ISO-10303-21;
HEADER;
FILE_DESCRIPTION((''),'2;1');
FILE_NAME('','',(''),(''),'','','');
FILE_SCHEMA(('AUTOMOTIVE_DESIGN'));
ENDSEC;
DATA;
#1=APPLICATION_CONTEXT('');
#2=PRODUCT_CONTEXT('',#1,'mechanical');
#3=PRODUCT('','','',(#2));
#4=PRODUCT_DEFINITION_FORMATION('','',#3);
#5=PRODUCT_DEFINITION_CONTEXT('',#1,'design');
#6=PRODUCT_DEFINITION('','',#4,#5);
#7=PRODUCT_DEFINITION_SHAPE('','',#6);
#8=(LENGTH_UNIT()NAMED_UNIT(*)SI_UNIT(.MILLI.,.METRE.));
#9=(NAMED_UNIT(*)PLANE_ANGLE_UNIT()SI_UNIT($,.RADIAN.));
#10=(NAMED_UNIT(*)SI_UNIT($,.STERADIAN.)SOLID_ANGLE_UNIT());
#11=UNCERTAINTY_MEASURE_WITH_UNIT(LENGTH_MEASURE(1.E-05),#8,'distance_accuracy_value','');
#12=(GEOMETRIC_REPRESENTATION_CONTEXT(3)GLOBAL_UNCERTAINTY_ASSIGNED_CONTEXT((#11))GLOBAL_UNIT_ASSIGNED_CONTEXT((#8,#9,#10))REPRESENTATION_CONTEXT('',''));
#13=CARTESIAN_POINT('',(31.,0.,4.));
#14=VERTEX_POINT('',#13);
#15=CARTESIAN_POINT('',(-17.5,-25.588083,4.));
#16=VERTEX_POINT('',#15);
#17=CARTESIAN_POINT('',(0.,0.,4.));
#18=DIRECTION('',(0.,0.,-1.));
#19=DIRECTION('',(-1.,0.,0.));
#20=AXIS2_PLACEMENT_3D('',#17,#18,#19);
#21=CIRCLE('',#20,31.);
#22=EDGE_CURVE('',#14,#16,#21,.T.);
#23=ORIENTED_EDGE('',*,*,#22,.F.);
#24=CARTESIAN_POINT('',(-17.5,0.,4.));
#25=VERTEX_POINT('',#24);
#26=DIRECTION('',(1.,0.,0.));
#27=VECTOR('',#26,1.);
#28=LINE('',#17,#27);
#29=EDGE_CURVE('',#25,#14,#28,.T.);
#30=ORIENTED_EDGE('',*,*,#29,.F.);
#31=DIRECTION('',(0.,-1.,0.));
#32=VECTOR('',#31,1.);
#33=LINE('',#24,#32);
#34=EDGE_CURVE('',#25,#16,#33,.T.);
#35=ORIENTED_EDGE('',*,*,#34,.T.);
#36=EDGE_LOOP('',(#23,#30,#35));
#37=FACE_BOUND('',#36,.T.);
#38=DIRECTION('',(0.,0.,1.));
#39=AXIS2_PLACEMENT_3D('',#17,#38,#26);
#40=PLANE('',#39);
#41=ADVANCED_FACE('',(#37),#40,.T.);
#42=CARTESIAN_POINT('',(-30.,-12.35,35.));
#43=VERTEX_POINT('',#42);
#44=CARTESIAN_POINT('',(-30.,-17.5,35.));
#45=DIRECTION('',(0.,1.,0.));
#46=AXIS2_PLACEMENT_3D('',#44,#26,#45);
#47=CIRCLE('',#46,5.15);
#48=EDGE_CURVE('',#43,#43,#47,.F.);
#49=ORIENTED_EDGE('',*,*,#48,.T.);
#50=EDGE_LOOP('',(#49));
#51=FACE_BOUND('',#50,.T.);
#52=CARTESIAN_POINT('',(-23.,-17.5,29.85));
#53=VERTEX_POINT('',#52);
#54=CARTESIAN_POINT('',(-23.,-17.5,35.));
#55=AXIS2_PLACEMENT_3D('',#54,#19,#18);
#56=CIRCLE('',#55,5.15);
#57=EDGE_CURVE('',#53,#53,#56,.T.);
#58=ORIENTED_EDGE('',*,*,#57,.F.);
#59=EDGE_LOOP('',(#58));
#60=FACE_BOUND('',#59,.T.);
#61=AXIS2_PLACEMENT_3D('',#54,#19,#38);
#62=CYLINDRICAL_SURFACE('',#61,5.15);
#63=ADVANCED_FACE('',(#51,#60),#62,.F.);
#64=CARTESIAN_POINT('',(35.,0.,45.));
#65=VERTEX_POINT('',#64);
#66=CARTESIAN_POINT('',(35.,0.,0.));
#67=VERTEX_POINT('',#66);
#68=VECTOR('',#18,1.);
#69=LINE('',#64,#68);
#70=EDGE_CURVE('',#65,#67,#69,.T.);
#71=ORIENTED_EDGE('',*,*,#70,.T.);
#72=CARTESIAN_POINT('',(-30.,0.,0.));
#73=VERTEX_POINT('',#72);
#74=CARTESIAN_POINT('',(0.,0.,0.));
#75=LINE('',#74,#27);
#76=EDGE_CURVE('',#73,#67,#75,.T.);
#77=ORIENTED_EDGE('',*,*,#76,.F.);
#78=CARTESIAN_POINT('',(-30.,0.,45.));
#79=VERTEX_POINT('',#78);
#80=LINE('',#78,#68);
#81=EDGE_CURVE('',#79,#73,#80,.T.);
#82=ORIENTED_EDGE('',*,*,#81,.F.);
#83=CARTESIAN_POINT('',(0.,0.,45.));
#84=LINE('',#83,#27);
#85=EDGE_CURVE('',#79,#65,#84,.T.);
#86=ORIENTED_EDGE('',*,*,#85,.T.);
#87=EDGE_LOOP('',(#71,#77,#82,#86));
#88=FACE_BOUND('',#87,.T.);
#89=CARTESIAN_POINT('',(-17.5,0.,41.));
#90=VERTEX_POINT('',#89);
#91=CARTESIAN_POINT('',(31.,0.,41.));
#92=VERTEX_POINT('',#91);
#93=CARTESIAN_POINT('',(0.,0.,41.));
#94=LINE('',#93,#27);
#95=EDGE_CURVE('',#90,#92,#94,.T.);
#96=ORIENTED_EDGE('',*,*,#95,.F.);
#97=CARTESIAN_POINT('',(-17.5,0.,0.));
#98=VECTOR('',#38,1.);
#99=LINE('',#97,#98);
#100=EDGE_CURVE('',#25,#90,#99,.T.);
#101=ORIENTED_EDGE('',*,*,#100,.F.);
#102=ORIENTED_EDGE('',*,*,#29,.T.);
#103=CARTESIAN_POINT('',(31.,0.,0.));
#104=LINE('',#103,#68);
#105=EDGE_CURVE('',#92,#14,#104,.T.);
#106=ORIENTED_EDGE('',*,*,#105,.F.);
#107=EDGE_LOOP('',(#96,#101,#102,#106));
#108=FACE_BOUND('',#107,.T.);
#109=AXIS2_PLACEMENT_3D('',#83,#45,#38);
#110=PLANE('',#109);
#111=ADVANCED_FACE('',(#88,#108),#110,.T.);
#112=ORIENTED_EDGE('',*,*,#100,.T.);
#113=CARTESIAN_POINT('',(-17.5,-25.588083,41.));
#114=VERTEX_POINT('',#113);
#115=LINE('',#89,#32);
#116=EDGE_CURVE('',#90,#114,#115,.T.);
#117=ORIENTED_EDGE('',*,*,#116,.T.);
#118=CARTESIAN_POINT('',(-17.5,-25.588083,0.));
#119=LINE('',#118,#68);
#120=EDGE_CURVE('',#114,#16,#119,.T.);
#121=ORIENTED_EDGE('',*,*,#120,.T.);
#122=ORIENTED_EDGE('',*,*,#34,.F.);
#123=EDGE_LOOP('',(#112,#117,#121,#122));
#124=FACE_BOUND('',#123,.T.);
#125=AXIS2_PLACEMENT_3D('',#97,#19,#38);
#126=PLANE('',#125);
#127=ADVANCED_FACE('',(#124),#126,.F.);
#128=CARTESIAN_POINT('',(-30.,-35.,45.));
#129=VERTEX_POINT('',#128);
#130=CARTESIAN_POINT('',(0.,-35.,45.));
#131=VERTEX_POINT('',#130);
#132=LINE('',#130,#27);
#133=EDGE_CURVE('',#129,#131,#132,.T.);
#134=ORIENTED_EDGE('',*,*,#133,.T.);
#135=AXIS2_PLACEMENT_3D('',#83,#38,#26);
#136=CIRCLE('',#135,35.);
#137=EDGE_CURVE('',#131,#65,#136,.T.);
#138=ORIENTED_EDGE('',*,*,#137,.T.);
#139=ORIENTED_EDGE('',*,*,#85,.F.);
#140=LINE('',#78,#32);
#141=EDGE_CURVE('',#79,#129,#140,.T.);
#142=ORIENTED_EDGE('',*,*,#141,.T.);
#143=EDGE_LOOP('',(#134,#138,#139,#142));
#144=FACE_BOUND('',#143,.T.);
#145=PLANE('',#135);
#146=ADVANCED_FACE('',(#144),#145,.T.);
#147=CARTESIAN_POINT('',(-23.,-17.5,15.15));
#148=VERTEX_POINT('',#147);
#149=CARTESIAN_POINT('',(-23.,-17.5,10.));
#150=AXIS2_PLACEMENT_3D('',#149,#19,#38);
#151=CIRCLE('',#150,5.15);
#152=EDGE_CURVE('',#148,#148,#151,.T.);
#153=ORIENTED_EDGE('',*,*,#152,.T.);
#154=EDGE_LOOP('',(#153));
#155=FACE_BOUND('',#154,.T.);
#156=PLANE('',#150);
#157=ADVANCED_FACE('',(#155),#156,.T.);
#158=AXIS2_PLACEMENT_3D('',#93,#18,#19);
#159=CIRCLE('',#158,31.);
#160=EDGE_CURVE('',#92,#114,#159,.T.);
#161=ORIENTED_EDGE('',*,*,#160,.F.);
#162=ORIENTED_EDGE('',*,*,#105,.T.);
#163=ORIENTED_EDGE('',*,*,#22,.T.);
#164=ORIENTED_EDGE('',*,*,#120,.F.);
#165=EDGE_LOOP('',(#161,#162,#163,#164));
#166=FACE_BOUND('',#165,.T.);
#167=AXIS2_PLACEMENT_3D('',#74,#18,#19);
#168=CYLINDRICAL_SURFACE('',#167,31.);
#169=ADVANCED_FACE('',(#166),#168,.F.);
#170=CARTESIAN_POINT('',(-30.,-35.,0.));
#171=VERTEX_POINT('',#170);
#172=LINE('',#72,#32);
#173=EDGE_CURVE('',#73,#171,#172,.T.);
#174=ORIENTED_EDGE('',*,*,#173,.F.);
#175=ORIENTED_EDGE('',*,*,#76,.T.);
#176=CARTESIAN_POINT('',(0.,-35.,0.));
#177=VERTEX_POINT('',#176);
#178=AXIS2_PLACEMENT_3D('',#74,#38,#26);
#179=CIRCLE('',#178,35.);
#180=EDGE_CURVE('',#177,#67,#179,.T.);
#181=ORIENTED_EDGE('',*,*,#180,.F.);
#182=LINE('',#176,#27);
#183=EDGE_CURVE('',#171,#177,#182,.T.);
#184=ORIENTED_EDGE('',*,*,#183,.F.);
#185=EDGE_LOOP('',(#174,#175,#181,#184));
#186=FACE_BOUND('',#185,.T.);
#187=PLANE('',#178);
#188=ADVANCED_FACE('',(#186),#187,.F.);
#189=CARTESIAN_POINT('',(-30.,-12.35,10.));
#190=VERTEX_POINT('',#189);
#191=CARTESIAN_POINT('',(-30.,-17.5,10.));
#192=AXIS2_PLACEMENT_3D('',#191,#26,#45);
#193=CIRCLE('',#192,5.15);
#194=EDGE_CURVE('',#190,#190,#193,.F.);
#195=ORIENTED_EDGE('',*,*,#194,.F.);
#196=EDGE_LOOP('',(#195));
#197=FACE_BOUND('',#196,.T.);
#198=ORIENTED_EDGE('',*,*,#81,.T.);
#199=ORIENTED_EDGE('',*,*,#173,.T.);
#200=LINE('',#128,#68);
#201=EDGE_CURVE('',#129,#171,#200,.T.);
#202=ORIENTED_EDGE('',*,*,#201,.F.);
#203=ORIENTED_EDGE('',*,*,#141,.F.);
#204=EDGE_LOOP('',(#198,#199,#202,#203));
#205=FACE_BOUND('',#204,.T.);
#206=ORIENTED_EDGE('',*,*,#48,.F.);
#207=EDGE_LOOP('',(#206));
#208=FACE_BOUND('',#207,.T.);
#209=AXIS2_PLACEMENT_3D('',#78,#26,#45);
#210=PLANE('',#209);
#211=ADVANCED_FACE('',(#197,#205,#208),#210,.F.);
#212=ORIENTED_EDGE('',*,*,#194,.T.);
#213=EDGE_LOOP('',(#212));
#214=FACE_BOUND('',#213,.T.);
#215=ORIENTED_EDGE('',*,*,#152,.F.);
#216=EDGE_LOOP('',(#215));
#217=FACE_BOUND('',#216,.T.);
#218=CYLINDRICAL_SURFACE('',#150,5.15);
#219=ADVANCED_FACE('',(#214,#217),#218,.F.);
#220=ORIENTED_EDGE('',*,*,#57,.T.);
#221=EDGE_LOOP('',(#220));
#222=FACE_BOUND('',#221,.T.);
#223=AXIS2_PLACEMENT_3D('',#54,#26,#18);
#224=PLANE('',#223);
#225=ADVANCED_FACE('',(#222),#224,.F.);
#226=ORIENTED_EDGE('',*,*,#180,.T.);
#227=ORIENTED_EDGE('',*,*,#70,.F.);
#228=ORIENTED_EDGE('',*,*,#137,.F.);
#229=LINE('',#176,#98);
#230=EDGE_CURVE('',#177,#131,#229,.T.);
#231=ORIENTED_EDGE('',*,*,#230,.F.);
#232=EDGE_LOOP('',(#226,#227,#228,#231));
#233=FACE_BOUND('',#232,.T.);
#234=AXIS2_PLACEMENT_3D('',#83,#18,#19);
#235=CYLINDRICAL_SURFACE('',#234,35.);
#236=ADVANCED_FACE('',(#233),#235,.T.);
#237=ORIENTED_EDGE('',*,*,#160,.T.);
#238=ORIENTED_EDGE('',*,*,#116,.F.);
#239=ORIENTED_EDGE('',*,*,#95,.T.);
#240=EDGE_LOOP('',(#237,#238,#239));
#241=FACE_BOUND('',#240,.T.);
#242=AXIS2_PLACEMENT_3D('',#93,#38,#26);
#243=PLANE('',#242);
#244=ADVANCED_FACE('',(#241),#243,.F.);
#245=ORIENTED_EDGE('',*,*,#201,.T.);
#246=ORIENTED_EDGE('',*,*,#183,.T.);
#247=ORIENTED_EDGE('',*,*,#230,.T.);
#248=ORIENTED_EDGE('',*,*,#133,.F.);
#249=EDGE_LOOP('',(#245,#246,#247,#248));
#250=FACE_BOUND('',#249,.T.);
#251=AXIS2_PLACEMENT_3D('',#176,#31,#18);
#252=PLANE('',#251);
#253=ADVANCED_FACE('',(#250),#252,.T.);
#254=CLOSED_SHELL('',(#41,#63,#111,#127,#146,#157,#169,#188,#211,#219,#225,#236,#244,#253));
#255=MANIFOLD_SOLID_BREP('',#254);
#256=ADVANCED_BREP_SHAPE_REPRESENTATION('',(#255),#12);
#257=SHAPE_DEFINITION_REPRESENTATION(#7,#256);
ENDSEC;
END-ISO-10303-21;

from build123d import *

# Parameters (mm, degrees)
BOSS_EXTRUDE1_DEPTH = 45
SKETCH2_W           = 31
SKETCH2_H           = 37
BOSS_EXTRUDE3_START = -45
BOSS_EXTRUDE3_DEPTH = 45
SKETCH4_R           = 5.15
CUT_EXTRUDE1_DEPTH  = 12
SKETCH5_W           = 5
SKETCH5_H           = 35
CUT_EXTRUDE2_DEPTH  = 67.895440801


with BuildPart() as part:
    # Sketch1 → Boss-Extrude1 (new body)
    with BuildSketch(Plane.XY):
        with BuildLine():
            Line((35, 0), (-35, 0))
            ThreePointArc((-35, 0), (0, -35), (35, 0))
        make_face()
    extrude(amount=BOSS_EXTRUDE1_DEPTH)

    # Sketch2 → Cut-Revolve1 (revolve, cut)
    with BuildSketch(Plane(origin=(0, 0, 0), x_dir=(1, 0, 0), z_dir=(0, 1, 0))):
        with Locations((-15.5, -22.5)):
            Rectangle(SKETCH2_W, SKETCH2_H)
    revolve(axis=Axis((0, 0, 0), (0, 0, 1)), mode=Mode.SUBTRACT)

    # Sketch3 → Boss-Extrude3 (add)
    with BuildSketch(Plane.XY.offset(45).offset(BOSS_EXTRUDE3_START)):
        with BuildLine():
            Line((-17.5, -30.310889132), (-17.5, 0))
            Line((-17.5, 0), (-35, 0))
            Line((-35, 0), (-35, -35))
            Line((-35, -35), (0, -35))
            ThreePointArc((0, -35), (-9.058666579, -33.80740392), (-17.5, -30.310889132))
        make_face()
    extrude(amount=BOSS_EXTRUDE3_DEPTH)

    # Sketch4 → Cut-Extrude1 (cut)
    with BuildSketch(Plane.ZY.offset(35)):
        with Locations((10, -17.5)):
            Circle(SKETCH4_R)
        with Locations((35, -17.5)):
            Circle(SKETCH4_R)
    extrude(amount=-CUT_EXTRUDE1_DEPTH, mode=Mode.SUBTRACT)

    # Sketch5 → Cut-Extrude2 (cut, through all)
    with BuildSketch(Plane(origin=(0, 0, 0), x_dir=(-1, 0, 0), z_dir=(0, 0, -1))):
        with Locations((32.5, -17.5)):
            Rectangle(SKETCH5_W, SKETCH5_H)
    extrude(amount=-CUT_EXTRUDE2_DEPTH, mode=Mode.SUBTRACT)


solid = part.part
